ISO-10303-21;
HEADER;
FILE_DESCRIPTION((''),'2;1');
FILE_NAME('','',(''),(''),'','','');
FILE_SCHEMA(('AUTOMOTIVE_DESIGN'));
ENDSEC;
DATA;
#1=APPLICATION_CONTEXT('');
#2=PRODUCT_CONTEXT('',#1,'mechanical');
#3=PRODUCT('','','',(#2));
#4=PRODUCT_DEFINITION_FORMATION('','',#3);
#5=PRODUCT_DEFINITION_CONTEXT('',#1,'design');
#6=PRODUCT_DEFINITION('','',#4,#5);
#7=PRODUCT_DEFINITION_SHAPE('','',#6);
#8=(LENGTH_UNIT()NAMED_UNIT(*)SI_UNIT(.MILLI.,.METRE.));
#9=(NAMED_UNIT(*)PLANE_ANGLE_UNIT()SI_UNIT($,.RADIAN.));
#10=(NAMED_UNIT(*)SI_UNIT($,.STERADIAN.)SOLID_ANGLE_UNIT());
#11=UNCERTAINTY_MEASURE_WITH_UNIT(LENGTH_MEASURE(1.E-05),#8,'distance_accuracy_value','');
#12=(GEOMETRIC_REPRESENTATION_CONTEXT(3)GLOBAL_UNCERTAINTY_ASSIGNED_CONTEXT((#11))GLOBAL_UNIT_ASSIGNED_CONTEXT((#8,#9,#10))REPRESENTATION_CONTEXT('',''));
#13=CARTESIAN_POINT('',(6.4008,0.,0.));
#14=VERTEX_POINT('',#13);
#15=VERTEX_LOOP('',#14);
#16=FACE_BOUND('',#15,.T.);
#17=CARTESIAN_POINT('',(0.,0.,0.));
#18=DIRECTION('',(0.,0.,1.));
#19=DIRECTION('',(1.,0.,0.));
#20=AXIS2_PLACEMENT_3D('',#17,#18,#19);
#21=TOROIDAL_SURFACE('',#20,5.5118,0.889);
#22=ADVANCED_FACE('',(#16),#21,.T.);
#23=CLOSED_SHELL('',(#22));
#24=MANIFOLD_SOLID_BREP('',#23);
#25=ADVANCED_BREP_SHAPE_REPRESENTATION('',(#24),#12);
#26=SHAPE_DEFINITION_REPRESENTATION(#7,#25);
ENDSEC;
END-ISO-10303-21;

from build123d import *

# Parameters (mm, degrees)
SKETCH1_R = 0.889


with BuildPart() as part:
    # Sketch1 → Revolve1 (revolve)
    with BuildSketch(Plane(origin=(0, 0, 0), x_dir=(0, -1, 0), z_dir=(1, 0, 0)), mode=Mode.PRIVATE) as revolve1_sk:
        with Locations((5.5118, 0)):
            Circle(SKETCH1_R)
    revolve(revolve1_sk.sketch.rotate(Axis((0, 0, 0.889), (0, 0, -1)), 270), axis=Axis((0, 0, 0.889), (0, 0, -1)))


solid = part.part
